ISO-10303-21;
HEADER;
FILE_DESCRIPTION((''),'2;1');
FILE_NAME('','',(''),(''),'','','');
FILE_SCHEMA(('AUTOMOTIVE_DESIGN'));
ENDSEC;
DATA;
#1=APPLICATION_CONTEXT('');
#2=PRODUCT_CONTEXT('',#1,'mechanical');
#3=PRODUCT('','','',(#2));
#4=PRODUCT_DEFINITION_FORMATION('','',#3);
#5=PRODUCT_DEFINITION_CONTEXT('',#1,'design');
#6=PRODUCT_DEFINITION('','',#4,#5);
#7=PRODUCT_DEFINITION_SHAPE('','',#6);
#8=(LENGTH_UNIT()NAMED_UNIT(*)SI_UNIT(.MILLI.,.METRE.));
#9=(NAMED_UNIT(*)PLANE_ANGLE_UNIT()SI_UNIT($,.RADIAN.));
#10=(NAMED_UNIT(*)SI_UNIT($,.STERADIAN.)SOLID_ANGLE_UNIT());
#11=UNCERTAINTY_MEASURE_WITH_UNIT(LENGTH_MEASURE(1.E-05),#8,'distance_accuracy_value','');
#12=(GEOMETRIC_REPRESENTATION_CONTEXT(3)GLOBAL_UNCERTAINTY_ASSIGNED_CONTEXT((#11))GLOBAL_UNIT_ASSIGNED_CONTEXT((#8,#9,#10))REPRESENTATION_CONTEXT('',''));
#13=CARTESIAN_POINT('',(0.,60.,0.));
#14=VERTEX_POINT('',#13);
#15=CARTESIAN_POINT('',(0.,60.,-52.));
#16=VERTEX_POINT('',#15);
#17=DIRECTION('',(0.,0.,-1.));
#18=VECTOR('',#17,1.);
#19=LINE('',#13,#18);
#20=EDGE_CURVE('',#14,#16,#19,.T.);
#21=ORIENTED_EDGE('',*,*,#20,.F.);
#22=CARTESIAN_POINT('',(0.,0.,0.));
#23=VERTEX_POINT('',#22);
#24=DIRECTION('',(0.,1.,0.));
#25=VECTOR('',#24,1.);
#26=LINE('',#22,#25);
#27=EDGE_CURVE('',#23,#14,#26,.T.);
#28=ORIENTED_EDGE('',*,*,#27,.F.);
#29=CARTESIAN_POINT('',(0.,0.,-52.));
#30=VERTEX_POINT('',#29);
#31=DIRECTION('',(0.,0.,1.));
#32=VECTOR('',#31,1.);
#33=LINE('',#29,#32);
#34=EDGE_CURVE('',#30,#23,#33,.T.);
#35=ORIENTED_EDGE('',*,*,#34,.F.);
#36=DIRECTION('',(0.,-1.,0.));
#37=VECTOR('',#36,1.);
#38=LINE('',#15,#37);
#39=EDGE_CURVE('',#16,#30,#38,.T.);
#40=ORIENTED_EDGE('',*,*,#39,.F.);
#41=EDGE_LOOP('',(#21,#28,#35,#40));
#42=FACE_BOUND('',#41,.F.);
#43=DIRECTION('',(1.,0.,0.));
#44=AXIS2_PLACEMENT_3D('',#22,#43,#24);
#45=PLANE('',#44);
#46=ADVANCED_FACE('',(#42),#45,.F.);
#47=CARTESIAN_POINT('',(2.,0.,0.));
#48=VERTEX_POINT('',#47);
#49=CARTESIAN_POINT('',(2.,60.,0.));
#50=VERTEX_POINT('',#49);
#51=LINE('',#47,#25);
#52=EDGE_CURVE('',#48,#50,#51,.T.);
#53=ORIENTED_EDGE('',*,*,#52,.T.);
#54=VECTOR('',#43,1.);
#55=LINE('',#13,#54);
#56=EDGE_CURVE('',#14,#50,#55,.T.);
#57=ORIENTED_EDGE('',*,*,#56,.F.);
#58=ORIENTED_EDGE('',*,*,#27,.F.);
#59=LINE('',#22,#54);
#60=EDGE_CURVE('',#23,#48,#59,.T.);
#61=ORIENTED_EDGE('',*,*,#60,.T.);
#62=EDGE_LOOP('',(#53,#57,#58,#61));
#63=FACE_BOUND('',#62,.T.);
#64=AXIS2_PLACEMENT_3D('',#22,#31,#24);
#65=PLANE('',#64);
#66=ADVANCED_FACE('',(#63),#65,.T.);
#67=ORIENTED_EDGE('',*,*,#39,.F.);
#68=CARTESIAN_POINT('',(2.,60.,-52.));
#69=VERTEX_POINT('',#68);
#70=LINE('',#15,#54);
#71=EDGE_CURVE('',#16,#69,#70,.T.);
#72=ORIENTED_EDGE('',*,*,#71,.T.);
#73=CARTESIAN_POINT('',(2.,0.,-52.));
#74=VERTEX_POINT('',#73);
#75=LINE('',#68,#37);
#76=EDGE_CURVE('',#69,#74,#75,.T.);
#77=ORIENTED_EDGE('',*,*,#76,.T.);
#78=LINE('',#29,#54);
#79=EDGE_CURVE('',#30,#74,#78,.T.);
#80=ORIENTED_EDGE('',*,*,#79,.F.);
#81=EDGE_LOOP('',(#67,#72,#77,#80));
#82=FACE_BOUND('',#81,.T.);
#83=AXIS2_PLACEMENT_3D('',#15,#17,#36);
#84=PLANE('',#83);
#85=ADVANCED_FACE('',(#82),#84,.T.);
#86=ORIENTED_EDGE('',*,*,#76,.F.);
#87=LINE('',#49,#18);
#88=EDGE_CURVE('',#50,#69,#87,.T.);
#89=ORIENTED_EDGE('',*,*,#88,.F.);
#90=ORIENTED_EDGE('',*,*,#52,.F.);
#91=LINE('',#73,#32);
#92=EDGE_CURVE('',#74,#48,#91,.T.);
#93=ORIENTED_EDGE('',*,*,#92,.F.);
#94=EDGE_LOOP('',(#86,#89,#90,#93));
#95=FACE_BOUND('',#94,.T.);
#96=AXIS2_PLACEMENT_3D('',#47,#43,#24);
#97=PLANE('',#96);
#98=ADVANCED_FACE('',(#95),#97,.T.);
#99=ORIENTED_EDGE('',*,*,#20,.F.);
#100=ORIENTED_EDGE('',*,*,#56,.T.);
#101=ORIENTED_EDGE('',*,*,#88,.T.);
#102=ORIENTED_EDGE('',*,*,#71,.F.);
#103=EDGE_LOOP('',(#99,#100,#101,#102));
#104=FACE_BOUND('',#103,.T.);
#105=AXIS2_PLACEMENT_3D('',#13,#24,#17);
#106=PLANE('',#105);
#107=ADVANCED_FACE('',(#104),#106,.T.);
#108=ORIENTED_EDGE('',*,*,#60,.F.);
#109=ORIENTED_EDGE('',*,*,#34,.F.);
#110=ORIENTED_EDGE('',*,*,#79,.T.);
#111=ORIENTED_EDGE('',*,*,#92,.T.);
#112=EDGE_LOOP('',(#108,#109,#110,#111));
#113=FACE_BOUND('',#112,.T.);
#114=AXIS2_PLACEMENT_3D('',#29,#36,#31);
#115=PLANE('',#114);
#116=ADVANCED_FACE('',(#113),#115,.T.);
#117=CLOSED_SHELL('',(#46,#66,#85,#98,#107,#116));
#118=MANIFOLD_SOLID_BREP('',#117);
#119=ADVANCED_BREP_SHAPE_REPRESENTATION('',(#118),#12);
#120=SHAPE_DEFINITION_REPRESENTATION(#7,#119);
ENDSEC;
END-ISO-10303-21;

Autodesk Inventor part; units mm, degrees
ref_plane "YZ Plane" through (0, 0, 0) normal (1, 0, 0) x (0, 1, 0)
ref_plane "XZ Plane" through (0, 0, 0) normal (0, 1, 0) x (-1, 0, 0)
ref_plane "XY Plane" through (0, 0, 0) normal (0, 0, 1) x (1, 0, 0)
sketch "Sketch1" plane through (0, 0, 0) normal (1, 0, 0) x (0, 1, 0)
  line L0 (0, 0) -> (60, 0)
  line L1 (60, 0) -> (60, -52)
  line L2 (60, -52) -> (0, -52)
  line L3 (0, -52) -> (0, 0)
  dimension "d0" = 60
  dimension "d1" = 52
extrude "Extrusion1" add sketch "Sketch1" along normal blind 2
properties part number "foam_battery_base"
